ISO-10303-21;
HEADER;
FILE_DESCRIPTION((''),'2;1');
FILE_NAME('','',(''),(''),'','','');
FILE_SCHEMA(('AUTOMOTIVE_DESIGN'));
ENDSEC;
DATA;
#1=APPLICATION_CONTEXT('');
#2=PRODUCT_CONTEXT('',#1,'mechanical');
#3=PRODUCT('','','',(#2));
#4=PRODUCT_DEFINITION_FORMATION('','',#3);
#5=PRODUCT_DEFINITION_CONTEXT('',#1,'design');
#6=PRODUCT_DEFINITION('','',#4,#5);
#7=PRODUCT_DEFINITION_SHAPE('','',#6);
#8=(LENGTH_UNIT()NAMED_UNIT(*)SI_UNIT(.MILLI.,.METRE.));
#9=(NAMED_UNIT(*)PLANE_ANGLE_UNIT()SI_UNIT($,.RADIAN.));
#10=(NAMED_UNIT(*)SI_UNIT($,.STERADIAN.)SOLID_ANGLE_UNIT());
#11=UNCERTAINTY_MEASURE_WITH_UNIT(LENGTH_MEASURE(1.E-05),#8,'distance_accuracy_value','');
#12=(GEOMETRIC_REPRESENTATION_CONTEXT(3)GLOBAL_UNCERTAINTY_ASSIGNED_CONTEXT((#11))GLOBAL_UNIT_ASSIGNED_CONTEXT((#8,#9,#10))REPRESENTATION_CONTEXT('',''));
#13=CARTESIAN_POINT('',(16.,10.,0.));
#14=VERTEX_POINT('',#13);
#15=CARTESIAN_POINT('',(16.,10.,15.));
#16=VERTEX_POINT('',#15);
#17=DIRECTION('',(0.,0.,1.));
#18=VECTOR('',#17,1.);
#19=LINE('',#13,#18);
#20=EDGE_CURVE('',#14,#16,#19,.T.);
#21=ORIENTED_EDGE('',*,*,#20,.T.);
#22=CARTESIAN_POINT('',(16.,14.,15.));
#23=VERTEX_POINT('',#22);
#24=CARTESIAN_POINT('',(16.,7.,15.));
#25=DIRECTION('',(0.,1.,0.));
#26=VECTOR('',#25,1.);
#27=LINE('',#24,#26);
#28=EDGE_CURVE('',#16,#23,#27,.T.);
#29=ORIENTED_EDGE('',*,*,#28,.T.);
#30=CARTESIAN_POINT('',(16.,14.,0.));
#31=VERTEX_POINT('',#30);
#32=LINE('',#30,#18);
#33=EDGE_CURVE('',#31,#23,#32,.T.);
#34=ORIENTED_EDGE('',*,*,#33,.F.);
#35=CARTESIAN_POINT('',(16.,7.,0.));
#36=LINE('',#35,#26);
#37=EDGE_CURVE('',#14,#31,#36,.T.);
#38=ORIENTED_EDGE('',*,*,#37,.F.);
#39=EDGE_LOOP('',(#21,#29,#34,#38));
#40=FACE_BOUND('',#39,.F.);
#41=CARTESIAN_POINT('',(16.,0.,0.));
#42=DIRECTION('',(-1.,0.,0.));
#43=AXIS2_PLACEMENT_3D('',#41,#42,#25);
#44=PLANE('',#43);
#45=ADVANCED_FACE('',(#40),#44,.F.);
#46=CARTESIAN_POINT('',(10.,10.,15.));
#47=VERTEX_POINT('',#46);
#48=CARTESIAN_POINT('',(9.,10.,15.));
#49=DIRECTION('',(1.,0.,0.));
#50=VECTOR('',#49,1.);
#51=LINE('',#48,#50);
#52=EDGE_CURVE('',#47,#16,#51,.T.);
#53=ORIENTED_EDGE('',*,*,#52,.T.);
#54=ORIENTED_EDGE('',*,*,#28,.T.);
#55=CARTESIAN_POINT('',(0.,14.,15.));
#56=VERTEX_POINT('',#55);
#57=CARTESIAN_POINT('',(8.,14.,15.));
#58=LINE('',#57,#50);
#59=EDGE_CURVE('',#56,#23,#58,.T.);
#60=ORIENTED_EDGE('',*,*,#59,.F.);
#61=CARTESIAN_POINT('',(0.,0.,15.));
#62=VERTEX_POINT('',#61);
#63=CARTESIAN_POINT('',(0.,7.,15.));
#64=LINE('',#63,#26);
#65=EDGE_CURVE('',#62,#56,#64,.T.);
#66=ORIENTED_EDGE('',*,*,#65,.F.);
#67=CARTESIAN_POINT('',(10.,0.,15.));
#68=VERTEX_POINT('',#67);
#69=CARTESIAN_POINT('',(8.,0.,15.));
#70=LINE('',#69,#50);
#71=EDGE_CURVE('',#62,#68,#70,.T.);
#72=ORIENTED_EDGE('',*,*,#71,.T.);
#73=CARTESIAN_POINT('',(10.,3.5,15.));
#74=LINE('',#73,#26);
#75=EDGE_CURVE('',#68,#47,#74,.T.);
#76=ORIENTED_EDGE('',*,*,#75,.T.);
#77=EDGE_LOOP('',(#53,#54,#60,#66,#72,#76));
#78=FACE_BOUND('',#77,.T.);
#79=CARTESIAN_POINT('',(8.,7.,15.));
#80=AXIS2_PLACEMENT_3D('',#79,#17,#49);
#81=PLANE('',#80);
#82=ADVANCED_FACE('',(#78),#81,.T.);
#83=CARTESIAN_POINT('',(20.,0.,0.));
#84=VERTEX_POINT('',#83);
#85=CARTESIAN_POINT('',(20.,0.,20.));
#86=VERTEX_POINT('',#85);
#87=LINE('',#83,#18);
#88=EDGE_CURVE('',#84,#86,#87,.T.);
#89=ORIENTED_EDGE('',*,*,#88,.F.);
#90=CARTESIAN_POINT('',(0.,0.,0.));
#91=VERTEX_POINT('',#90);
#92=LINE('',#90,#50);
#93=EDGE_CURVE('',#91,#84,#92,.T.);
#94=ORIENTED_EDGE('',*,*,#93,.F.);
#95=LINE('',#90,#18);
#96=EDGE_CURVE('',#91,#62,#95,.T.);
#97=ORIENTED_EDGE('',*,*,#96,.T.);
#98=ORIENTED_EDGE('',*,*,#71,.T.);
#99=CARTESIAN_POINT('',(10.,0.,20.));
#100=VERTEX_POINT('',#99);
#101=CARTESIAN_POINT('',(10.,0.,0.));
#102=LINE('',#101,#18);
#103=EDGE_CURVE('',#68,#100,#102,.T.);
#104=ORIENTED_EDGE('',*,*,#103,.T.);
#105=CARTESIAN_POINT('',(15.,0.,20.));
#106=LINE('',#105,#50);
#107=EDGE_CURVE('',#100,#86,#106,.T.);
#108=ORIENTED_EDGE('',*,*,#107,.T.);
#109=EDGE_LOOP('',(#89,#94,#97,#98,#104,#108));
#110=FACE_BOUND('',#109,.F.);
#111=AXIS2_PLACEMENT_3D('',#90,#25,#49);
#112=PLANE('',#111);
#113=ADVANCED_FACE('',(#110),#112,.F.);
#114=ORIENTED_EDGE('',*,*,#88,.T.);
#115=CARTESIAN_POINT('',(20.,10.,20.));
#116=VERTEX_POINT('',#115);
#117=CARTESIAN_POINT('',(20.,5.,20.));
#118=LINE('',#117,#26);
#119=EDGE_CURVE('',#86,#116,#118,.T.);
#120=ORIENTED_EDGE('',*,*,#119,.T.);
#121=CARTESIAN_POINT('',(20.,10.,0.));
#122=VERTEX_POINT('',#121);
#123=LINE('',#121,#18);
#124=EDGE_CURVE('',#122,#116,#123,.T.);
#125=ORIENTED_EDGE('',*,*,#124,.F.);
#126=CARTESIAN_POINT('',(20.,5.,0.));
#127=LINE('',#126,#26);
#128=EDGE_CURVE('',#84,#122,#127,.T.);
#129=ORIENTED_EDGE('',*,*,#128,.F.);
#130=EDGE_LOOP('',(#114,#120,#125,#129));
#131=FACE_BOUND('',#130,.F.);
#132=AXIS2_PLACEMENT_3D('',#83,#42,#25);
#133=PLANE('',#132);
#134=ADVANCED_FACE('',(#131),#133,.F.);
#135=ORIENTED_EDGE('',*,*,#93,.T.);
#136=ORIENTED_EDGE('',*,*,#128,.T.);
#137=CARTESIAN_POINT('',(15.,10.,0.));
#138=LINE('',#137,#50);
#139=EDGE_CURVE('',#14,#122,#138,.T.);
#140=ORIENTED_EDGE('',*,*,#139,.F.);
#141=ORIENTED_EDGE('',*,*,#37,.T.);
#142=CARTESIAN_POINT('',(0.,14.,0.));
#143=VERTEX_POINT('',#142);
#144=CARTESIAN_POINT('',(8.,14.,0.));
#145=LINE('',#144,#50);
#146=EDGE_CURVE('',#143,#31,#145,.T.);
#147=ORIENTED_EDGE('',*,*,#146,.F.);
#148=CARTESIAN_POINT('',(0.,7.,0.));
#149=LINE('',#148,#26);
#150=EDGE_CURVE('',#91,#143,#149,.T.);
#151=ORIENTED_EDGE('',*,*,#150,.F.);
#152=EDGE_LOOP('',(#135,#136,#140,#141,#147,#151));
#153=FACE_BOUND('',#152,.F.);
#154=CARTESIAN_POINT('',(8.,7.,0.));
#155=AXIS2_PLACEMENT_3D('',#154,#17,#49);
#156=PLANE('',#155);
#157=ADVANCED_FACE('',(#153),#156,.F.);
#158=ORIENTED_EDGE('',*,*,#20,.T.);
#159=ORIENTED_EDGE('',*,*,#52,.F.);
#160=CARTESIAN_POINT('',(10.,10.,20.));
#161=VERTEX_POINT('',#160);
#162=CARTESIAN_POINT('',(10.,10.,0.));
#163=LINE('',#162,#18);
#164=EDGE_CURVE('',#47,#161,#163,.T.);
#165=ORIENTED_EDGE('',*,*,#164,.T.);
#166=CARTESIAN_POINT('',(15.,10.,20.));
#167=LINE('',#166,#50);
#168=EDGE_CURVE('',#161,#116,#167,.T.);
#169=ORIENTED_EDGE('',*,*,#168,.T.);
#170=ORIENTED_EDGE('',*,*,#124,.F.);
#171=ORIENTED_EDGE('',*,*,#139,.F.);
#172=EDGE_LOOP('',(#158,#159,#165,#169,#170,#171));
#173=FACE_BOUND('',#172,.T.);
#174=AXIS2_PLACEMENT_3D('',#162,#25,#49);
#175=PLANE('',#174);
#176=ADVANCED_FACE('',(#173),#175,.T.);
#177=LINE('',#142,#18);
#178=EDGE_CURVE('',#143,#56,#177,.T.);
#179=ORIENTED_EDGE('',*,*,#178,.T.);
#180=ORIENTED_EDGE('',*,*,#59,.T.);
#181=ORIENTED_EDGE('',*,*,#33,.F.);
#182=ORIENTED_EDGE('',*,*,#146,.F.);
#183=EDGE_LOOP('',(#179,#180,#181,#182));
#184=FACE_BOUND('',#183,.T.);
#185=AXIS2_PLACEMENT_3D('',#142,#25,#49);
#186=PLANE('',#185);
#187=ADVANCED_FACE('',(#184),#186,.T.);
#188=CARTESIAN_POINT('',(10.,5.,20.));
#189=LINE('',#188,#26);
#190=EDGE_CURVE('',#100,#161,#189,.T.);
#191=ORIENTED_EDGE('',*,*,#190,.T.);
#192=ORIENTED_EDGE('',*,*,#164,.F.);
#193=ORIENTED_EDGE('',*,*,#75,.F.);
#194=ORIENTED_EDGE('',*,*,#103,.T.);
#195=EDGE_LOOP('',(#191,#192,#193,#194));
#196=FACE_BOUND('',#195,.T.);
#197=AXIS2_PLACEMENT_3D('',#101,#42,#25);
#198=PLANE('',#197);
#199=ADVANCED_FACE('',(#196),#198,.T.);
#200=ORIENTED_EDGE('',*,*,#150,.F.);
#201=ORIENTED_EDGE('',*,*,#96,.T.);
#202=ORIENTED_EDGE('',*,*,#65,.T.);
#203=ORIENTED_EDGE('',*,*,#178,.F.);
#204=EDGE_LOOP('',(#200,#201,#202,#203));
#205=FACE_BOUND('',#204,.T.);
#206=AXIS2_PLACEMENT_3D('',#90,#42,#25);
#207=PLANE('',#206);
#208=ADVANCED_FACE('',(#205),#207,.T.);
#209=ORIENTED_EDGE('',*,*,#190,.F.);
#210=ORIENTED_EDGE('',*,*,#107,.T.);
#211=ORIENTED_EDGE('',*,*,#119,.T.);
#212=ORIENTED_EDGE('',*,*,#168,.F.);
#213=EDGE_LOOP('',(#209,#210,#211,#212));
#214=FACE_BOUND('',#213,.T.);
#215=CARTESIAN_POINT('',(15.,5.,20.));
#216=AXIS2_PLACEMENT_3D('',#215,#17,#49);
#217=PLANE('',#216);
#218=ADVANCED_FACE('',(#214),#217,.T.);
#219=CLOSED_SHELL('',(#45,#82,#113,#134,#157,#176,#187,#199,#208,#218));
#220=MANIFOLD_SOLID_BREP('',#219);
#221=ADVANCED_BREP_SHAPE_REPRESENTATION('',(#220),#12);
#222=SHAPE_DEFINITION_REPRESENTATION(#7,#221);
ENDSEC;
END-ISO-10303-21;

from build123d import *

# Parameters (mm, degrees)
BOX_W        = 16
BOX_H        = 14
BOX_DEPTH    = 15
BOX001_W     = 10
BOX001_H     = 10
BOX001_DEPTH = 20


with BuildPart() as cub:
    # Box → Box (new body)
    with BuildSketch(Plane.XY):
        with Locations((8, 7)):
            Rectangle(BOX_W, BOX_H)
    extrude(amount=BOX_DEPTH)


with BuildPart() as fusion:
    # Box001 → Box001 (new body)
    with BuildSketch(Plane(origin=(10, 0, 0), x_dir=(1, 0, 0), z_dir=(0, 0, 1))):
        with Locations((5, 5)):
            Rectangle(BOX001_W, BOX001_H)
    extrude(amount=BOX001_DEPTH)

    # Fusion: union Cub
    add(cub.part)


solid = fusion.part
